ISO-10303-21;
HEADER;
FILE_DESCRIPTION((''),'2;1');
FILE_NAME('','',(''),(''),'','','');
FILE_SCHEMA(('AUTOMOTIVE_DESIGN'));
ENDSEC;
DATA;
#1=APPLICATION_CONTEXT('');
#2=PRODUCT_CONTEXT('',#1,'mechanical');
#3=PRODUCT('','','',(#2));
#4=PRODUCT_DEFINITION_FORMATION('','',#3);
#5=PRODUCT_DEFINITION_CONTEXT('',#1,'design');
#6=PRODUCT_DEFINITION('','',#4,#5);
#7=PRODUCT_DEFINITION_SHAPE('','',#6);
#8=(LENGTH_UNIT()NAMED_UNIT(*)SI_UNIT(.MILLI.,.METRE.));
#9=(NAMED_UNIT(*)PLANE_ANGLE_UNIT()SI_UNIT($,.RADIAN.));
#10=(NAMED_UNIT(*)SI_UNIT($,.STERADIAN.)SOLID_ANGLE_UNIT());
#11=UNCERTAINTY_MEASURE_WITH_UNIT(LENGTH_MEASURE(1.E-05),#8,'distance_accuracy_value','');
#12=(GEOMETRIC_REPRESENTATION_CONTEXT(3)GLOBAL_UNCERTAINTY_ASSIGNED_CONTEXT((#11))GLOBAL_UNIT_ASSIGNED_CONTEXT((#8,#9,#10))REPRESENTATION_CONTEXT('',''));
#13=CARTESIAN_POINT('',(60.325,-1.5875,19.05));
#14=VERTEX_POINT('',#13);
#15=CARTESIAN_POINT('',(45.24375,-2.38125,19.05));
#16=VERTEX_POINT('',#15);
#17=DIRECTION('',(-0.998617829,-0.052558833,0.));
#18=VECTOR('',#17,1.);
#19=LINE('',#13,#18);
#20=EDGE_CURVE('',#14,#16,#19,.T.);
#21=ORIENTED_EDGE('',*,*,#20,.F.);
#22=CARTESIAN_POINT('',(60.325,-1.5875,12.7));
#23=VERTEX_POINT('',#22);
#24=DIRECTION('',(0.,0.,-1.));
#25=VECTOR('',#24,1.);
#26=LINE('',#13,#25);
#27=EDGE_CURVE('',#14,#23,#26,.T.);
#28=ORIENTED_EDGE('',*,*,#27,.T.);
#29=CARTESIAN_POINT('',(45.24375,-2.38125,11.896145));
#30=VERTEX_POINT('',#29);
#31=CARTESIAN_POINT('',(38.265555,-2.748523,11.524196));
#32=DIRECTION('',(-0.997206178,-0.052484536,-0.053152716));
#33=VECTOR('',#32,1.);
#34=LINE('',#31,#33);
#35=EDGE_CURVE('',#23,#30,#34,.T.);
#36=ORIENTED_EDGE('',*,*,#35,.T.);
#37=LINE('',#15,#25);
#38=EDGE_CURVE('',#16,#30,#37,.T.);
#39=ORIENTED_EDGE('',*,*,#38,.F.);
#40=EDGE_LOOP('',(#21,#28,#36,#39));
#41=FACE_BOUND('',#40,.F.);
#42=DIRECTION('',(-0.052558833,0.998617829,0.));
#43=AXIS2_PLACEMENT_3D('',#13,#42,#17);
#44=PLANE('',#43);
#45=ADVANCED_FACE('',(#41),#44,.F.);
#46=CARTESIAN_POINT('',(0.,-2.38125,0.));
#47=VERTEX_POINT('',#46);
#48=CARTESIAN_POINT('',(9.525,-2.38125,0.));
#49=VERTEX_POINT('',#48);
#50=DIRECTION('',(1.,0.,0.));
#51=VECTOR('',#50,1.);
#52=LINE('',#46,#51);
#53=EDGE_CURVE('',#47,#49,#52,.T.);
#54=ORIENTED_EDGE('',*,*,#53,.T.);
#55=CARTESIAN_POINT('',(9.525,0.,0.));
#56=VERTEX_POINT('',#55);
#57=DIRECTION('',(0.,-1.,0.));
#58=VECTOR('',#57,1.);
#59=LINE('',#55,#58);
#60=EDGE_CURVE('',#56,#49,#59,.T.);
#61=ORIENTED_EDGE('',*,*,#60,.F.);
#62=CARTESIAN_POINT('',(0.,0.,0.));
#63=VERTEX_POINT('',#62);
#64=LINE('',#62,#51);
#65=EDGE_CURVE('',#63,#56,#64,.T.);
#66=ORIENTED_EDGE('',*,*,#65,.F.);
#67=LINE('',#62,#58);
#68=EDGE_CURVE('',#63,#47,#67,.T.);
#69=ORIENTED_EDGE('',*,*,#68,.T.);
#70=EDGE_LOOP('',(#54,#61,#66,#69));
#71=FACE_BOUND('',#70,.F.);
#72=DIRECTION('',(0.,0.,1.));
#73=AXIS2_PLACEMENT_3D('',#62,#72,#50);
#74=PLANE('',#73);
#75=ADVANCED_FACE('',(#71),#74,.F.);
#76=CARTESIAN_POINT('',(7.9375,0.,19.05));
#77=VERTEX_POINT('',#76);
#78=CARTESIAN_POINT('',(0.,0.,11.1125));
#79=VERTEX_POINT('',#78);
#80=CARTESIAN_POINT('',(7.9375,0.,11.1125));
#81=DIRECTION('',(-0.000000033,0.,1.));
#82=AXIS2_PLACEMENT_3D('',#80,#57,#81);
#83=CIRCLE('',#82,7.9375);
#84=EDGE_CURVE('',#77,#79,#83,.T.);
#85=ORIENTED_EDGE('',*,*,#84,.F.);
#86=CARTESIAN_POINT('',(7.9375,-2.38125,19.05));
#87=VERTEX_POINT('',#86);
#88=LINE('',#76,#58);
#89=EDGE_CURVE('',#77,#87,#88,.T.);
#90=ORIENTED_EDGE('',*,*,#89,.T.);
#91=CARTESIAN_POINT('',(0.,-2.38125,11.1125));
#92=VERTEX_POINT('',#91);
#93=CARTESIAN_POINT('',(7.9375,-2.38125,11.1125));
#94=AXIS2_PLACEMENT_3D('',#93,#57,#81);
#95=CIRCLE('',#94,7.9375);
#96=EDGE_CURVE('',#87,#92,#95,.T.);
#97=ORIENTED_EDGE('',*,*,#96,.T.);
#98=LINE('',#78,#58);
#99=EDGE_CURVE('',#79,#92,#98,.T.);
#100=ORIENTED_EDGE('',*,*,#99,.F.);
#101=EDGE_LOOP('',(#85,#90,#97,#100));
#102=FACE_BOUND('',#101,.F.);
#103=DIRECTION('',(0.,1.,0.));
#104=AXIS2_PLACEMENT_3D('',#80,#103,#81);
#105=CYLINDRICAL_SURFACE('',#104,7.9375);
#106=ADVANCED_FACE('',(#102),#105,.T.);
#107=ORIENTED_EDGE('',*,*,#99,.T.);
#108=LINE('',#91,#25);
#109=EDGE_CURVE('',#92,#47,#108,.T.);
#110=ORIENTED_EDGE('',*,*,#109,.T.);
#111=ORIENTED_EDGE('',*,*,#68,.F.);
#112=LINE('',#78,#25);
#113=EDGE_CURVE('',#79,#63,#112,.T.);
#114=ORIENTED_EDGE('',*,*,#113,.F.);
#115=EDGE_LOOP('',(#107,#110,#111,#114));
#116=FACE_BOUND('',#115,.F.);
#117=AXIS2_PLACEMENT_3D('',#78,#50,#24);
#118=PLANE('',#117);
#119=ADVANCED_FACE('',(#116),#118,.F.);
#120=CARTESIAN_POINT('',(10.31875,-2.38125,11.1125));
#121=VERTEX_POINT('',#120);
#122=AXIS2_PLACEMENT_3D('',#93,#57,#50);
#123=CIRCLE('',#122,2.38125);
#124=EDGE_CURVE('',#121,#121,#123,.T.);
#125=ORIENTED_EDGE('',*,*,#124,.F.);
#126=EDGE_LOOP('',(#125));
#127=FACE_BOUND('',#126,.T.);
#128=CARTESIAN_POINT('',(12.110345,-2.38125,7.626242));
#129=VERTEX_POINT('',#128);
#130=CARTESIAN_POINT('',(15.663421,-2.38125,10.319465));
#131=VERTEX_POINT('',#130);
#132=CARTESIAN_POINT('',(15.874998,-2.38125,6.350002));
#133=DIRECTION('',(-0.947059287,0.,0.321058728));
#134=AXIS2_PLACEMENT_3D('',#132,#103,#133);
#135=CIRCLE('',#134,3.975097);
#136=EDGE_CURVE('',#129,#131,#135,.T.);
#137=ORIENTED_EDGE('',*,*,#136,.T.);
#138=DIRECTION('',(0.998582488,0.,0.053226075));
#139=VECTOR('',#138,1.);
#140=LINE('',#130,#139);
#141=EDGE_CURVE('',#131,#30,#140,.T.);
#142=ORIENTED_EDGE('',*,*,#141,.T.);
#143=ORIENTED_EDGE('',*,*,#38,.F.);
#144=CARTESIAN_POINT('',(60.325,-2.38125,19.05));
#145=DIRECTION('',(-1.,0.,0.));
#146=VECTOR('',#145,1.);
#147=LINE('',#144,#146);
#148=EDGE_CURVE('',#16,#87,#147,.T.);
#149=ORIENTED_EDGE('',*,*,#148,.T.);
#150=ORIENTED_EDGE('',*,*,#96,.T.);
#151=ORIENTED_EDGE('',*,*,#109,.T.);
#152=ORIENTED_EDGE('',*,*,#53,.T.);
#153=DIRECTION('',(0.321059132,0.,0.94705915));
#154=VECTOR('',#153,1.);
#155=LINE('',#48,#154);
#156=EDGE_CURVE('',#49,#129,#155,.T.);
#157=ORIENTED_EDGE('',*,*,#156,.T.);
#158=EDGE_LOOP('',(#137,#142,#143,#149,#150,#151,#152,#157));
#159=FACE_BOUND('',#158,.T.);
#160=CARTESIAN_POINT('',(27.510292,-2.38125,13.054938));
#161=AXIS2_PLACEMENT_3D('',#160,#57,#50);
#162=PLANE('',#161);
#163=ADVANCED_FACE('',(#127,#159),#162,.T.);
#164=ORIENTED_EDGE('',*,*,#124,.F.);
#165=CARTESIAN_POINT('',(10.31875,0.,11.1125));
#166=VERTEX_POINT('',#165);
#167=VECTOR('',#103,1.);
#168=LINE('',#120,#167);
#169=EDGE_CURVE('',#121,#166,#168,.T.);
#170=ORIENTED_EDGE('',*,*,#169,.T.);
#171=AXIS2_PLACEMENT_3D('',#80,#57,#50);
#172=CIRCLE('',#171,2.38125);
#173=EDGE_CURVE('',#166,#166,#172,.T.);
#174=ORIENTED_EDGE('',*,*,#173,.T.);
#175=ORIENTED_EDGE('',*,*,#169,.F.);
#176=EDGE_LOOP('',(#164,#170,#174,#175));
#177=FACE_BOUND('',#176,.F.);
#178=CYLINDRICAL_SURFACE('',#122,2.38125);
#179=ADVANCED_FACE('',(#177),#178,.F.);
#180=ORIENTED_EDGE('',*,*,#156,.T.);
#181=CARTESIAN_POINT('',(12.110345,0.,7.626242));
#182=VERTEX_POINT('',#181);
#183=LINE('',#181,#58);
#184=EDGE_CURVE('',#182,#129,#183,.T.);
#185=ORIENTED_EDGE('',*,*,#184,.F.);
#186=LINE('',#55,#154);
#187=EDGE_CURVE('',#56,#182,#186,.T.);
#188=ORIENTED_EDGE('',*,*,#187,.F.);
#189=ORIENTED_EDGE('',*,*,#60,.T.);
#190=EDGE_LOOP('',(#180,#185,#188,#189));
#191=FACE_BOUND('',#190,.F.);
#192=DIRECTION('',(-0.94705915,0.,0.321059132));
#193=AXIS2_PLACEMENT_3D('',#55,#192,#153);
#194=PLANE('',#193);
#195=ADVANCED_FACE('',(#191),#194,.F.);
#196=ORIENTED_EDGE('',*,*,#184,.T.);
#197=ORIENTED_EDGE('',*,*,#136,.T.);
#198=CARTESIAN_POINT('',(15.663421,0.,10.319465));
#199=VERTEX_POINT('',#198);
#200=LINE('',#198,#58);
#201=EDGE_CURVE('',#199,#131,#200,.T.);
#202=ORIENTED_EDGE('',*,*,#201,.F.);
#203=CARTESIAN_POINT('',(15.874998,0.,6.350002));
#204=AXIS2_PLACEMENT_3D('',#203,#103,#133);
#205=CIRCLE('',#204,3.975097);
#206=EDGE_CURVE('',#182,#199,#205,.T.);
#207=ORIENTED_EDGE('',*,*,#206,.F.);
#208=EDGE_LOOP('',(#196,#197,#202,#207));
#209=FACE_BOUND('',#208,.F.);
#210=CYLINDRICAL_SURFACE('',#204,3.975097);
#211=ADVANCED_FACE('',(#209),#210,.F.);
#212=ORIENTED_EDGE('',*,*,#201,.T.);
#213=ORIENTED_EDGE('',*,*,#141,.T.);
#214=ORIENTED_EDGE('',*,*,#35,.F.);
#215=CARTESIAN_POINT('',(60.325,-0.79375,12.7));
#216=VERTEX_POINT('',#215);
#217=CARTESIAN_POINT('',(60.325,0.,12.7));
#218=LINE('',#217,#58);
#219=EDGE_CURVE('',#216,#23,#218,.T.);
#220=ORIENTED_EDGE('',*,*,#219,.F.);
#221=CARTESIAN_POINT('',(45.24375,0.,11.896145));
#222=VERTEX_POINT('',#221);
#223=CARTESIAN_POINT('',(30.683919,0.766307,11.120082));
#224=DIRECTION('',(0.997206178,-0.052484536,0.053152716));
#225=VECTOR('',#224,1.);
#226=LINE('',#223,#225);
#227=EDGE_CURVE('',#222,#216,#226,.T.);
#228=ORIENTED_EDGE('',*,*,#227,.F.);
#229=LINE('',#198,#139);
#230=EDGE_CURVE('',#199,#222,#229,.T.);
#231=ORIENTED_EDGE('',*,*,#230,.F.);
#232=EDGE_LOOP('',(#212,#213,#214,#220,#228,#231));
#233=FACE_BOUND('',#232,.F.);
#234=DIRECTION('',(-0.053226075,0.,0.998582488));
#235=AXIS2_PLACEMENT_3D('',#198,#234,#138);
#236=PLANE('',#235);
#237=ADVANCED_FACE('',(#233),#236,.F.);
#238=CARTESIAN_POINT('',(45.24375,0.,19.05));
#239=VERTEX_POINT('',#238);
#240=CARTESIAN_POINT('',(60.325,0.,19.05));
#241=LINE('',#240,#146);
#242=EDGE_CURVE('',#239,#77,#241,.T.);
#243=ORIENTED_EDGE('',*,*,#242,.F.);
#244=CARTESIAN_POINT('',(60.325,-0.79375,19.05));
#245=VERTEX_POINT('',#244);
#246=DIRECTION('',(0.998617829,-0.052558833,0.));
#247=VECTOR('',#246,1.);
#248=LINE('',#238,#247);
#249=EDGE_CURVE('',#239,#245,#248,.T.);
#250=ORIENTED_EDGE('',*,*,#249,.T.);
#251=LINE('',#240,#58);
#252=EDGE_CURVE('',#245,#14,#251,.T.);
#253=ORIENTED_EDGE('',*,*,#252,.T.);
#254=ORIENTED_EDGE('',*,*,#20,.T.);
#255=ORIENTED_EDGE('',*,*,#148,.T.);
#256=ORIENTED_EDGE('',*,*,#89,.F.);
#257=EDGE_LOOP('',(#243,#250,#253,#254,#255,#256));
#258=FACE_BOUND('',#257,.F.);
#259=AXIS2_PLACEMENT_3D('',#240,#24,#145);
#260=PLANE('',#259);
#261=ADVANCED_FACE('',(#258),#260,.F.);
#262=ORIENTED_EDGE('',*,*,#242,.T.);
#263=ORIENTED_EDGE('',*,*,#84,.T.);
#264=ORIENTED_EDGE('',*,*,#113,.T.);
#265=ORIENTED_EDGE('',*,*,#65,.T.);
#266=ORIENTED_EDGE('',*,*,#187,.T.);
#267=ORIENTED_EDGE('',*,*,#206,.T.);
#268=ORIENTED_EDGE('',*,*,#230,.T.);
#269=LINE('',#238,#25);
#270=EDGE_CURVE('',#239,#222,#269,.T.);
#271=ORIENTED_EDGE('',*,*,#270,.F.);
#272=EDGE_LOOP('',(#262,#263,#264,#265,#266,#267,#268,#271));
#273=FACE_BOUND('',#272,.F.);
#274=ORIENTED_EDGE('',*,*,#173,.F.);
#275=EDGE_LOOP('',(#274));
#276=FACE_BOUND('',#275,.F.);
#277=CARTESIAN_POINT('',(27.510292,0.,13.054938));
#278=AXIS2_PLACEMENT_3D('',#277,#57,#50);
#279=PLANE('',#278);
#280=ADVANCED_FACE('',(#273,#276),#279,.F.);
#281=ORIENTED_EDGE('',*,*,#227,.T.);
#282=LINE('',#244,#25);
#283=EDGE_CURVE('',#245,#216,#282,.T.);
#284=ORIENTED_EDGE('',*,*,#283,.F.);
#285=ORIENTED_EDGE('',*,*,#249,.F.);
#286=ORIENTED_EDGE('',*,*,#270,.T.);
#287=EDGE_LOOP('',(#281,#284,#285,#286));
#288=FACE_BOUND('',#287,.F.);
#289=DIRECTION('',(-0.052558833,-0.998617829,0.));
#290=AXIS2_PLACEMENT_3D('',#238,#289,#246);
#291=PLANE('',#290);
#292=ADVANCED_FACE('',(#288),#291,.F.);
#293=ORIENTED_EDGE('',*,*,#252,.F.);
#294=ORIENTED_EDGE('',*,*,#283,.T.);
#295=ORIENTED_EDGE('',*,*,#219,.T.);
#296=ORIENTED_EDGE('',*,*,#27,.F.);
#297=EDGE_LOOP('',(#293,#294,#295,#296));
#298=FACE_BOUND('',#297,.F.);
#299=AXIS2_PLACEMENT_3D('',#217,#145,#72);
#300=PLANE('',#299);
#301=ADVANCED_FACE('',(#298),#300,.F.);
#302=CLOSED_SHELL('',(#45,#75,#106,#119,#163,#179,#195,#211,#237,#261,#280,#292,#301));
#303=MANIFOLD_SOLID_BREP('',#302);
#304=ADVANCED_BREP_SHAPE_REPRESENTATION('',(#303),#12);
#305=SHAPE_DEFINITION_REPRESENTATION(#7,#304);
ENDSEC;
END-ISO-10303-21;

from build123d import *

# Parameters (mm, degrees)
F1_DEPTH = 2.38125
F2_R     = 2.38125
F3_DEPTH = 25.4
F5_DEPTH = 25.4


with BuildPart() as f1:
    # F0 (on Front) → F1 (new body)
    with BuildSketch(Plane.XZ):
        with BuildLine():
            Line((60.325, 19.05), (7.9375, 19.05))
            ThreePointArc((7.9375, 19.05), (2.32484, 16.72516), (0, 11.1125))
            Line((0, 11.1125), (0, 0))
            Line((0, 0), (9.525, 0))
            Line((9.525, 0), (12.110345, 7.626242))
            ThreePointArc((12.110345, 7.626242), (13.473756, 9.517878), (15.663421, 10.319465))
            Line((15.663421, 10.319465), (60.325, 12.7))
            Line((60.325, 12.7), (60.325, 19.05))
        make_face()
    extrude(amount=F1_DEPTH)

    # F2 (on face) → F3 (cut)
    with BuildSketch(Plane.XZ.offset(2.38125)):
        with Locations((7.9375, 11.1125)):
            Circle(F2_R)
    extrude(amount=-F3_DEPTH, mode=Mode.SUBTRACT)

    # F4 (on face) → F5 (cut)
    with BuildSketch(Plane.XY.offset(19.05)):
        Polygon((60.325, 0), (45.24375, 0), (60.325, -0.79375), align=None)
        Polygon((60.325, -2.38125), (60.325, -1.5875), (45.24375, -2.38125), align=None)
    extrude(amount=-F5_DEPTH, mode=Mode.SUBTRACT)


solid = f1.part
